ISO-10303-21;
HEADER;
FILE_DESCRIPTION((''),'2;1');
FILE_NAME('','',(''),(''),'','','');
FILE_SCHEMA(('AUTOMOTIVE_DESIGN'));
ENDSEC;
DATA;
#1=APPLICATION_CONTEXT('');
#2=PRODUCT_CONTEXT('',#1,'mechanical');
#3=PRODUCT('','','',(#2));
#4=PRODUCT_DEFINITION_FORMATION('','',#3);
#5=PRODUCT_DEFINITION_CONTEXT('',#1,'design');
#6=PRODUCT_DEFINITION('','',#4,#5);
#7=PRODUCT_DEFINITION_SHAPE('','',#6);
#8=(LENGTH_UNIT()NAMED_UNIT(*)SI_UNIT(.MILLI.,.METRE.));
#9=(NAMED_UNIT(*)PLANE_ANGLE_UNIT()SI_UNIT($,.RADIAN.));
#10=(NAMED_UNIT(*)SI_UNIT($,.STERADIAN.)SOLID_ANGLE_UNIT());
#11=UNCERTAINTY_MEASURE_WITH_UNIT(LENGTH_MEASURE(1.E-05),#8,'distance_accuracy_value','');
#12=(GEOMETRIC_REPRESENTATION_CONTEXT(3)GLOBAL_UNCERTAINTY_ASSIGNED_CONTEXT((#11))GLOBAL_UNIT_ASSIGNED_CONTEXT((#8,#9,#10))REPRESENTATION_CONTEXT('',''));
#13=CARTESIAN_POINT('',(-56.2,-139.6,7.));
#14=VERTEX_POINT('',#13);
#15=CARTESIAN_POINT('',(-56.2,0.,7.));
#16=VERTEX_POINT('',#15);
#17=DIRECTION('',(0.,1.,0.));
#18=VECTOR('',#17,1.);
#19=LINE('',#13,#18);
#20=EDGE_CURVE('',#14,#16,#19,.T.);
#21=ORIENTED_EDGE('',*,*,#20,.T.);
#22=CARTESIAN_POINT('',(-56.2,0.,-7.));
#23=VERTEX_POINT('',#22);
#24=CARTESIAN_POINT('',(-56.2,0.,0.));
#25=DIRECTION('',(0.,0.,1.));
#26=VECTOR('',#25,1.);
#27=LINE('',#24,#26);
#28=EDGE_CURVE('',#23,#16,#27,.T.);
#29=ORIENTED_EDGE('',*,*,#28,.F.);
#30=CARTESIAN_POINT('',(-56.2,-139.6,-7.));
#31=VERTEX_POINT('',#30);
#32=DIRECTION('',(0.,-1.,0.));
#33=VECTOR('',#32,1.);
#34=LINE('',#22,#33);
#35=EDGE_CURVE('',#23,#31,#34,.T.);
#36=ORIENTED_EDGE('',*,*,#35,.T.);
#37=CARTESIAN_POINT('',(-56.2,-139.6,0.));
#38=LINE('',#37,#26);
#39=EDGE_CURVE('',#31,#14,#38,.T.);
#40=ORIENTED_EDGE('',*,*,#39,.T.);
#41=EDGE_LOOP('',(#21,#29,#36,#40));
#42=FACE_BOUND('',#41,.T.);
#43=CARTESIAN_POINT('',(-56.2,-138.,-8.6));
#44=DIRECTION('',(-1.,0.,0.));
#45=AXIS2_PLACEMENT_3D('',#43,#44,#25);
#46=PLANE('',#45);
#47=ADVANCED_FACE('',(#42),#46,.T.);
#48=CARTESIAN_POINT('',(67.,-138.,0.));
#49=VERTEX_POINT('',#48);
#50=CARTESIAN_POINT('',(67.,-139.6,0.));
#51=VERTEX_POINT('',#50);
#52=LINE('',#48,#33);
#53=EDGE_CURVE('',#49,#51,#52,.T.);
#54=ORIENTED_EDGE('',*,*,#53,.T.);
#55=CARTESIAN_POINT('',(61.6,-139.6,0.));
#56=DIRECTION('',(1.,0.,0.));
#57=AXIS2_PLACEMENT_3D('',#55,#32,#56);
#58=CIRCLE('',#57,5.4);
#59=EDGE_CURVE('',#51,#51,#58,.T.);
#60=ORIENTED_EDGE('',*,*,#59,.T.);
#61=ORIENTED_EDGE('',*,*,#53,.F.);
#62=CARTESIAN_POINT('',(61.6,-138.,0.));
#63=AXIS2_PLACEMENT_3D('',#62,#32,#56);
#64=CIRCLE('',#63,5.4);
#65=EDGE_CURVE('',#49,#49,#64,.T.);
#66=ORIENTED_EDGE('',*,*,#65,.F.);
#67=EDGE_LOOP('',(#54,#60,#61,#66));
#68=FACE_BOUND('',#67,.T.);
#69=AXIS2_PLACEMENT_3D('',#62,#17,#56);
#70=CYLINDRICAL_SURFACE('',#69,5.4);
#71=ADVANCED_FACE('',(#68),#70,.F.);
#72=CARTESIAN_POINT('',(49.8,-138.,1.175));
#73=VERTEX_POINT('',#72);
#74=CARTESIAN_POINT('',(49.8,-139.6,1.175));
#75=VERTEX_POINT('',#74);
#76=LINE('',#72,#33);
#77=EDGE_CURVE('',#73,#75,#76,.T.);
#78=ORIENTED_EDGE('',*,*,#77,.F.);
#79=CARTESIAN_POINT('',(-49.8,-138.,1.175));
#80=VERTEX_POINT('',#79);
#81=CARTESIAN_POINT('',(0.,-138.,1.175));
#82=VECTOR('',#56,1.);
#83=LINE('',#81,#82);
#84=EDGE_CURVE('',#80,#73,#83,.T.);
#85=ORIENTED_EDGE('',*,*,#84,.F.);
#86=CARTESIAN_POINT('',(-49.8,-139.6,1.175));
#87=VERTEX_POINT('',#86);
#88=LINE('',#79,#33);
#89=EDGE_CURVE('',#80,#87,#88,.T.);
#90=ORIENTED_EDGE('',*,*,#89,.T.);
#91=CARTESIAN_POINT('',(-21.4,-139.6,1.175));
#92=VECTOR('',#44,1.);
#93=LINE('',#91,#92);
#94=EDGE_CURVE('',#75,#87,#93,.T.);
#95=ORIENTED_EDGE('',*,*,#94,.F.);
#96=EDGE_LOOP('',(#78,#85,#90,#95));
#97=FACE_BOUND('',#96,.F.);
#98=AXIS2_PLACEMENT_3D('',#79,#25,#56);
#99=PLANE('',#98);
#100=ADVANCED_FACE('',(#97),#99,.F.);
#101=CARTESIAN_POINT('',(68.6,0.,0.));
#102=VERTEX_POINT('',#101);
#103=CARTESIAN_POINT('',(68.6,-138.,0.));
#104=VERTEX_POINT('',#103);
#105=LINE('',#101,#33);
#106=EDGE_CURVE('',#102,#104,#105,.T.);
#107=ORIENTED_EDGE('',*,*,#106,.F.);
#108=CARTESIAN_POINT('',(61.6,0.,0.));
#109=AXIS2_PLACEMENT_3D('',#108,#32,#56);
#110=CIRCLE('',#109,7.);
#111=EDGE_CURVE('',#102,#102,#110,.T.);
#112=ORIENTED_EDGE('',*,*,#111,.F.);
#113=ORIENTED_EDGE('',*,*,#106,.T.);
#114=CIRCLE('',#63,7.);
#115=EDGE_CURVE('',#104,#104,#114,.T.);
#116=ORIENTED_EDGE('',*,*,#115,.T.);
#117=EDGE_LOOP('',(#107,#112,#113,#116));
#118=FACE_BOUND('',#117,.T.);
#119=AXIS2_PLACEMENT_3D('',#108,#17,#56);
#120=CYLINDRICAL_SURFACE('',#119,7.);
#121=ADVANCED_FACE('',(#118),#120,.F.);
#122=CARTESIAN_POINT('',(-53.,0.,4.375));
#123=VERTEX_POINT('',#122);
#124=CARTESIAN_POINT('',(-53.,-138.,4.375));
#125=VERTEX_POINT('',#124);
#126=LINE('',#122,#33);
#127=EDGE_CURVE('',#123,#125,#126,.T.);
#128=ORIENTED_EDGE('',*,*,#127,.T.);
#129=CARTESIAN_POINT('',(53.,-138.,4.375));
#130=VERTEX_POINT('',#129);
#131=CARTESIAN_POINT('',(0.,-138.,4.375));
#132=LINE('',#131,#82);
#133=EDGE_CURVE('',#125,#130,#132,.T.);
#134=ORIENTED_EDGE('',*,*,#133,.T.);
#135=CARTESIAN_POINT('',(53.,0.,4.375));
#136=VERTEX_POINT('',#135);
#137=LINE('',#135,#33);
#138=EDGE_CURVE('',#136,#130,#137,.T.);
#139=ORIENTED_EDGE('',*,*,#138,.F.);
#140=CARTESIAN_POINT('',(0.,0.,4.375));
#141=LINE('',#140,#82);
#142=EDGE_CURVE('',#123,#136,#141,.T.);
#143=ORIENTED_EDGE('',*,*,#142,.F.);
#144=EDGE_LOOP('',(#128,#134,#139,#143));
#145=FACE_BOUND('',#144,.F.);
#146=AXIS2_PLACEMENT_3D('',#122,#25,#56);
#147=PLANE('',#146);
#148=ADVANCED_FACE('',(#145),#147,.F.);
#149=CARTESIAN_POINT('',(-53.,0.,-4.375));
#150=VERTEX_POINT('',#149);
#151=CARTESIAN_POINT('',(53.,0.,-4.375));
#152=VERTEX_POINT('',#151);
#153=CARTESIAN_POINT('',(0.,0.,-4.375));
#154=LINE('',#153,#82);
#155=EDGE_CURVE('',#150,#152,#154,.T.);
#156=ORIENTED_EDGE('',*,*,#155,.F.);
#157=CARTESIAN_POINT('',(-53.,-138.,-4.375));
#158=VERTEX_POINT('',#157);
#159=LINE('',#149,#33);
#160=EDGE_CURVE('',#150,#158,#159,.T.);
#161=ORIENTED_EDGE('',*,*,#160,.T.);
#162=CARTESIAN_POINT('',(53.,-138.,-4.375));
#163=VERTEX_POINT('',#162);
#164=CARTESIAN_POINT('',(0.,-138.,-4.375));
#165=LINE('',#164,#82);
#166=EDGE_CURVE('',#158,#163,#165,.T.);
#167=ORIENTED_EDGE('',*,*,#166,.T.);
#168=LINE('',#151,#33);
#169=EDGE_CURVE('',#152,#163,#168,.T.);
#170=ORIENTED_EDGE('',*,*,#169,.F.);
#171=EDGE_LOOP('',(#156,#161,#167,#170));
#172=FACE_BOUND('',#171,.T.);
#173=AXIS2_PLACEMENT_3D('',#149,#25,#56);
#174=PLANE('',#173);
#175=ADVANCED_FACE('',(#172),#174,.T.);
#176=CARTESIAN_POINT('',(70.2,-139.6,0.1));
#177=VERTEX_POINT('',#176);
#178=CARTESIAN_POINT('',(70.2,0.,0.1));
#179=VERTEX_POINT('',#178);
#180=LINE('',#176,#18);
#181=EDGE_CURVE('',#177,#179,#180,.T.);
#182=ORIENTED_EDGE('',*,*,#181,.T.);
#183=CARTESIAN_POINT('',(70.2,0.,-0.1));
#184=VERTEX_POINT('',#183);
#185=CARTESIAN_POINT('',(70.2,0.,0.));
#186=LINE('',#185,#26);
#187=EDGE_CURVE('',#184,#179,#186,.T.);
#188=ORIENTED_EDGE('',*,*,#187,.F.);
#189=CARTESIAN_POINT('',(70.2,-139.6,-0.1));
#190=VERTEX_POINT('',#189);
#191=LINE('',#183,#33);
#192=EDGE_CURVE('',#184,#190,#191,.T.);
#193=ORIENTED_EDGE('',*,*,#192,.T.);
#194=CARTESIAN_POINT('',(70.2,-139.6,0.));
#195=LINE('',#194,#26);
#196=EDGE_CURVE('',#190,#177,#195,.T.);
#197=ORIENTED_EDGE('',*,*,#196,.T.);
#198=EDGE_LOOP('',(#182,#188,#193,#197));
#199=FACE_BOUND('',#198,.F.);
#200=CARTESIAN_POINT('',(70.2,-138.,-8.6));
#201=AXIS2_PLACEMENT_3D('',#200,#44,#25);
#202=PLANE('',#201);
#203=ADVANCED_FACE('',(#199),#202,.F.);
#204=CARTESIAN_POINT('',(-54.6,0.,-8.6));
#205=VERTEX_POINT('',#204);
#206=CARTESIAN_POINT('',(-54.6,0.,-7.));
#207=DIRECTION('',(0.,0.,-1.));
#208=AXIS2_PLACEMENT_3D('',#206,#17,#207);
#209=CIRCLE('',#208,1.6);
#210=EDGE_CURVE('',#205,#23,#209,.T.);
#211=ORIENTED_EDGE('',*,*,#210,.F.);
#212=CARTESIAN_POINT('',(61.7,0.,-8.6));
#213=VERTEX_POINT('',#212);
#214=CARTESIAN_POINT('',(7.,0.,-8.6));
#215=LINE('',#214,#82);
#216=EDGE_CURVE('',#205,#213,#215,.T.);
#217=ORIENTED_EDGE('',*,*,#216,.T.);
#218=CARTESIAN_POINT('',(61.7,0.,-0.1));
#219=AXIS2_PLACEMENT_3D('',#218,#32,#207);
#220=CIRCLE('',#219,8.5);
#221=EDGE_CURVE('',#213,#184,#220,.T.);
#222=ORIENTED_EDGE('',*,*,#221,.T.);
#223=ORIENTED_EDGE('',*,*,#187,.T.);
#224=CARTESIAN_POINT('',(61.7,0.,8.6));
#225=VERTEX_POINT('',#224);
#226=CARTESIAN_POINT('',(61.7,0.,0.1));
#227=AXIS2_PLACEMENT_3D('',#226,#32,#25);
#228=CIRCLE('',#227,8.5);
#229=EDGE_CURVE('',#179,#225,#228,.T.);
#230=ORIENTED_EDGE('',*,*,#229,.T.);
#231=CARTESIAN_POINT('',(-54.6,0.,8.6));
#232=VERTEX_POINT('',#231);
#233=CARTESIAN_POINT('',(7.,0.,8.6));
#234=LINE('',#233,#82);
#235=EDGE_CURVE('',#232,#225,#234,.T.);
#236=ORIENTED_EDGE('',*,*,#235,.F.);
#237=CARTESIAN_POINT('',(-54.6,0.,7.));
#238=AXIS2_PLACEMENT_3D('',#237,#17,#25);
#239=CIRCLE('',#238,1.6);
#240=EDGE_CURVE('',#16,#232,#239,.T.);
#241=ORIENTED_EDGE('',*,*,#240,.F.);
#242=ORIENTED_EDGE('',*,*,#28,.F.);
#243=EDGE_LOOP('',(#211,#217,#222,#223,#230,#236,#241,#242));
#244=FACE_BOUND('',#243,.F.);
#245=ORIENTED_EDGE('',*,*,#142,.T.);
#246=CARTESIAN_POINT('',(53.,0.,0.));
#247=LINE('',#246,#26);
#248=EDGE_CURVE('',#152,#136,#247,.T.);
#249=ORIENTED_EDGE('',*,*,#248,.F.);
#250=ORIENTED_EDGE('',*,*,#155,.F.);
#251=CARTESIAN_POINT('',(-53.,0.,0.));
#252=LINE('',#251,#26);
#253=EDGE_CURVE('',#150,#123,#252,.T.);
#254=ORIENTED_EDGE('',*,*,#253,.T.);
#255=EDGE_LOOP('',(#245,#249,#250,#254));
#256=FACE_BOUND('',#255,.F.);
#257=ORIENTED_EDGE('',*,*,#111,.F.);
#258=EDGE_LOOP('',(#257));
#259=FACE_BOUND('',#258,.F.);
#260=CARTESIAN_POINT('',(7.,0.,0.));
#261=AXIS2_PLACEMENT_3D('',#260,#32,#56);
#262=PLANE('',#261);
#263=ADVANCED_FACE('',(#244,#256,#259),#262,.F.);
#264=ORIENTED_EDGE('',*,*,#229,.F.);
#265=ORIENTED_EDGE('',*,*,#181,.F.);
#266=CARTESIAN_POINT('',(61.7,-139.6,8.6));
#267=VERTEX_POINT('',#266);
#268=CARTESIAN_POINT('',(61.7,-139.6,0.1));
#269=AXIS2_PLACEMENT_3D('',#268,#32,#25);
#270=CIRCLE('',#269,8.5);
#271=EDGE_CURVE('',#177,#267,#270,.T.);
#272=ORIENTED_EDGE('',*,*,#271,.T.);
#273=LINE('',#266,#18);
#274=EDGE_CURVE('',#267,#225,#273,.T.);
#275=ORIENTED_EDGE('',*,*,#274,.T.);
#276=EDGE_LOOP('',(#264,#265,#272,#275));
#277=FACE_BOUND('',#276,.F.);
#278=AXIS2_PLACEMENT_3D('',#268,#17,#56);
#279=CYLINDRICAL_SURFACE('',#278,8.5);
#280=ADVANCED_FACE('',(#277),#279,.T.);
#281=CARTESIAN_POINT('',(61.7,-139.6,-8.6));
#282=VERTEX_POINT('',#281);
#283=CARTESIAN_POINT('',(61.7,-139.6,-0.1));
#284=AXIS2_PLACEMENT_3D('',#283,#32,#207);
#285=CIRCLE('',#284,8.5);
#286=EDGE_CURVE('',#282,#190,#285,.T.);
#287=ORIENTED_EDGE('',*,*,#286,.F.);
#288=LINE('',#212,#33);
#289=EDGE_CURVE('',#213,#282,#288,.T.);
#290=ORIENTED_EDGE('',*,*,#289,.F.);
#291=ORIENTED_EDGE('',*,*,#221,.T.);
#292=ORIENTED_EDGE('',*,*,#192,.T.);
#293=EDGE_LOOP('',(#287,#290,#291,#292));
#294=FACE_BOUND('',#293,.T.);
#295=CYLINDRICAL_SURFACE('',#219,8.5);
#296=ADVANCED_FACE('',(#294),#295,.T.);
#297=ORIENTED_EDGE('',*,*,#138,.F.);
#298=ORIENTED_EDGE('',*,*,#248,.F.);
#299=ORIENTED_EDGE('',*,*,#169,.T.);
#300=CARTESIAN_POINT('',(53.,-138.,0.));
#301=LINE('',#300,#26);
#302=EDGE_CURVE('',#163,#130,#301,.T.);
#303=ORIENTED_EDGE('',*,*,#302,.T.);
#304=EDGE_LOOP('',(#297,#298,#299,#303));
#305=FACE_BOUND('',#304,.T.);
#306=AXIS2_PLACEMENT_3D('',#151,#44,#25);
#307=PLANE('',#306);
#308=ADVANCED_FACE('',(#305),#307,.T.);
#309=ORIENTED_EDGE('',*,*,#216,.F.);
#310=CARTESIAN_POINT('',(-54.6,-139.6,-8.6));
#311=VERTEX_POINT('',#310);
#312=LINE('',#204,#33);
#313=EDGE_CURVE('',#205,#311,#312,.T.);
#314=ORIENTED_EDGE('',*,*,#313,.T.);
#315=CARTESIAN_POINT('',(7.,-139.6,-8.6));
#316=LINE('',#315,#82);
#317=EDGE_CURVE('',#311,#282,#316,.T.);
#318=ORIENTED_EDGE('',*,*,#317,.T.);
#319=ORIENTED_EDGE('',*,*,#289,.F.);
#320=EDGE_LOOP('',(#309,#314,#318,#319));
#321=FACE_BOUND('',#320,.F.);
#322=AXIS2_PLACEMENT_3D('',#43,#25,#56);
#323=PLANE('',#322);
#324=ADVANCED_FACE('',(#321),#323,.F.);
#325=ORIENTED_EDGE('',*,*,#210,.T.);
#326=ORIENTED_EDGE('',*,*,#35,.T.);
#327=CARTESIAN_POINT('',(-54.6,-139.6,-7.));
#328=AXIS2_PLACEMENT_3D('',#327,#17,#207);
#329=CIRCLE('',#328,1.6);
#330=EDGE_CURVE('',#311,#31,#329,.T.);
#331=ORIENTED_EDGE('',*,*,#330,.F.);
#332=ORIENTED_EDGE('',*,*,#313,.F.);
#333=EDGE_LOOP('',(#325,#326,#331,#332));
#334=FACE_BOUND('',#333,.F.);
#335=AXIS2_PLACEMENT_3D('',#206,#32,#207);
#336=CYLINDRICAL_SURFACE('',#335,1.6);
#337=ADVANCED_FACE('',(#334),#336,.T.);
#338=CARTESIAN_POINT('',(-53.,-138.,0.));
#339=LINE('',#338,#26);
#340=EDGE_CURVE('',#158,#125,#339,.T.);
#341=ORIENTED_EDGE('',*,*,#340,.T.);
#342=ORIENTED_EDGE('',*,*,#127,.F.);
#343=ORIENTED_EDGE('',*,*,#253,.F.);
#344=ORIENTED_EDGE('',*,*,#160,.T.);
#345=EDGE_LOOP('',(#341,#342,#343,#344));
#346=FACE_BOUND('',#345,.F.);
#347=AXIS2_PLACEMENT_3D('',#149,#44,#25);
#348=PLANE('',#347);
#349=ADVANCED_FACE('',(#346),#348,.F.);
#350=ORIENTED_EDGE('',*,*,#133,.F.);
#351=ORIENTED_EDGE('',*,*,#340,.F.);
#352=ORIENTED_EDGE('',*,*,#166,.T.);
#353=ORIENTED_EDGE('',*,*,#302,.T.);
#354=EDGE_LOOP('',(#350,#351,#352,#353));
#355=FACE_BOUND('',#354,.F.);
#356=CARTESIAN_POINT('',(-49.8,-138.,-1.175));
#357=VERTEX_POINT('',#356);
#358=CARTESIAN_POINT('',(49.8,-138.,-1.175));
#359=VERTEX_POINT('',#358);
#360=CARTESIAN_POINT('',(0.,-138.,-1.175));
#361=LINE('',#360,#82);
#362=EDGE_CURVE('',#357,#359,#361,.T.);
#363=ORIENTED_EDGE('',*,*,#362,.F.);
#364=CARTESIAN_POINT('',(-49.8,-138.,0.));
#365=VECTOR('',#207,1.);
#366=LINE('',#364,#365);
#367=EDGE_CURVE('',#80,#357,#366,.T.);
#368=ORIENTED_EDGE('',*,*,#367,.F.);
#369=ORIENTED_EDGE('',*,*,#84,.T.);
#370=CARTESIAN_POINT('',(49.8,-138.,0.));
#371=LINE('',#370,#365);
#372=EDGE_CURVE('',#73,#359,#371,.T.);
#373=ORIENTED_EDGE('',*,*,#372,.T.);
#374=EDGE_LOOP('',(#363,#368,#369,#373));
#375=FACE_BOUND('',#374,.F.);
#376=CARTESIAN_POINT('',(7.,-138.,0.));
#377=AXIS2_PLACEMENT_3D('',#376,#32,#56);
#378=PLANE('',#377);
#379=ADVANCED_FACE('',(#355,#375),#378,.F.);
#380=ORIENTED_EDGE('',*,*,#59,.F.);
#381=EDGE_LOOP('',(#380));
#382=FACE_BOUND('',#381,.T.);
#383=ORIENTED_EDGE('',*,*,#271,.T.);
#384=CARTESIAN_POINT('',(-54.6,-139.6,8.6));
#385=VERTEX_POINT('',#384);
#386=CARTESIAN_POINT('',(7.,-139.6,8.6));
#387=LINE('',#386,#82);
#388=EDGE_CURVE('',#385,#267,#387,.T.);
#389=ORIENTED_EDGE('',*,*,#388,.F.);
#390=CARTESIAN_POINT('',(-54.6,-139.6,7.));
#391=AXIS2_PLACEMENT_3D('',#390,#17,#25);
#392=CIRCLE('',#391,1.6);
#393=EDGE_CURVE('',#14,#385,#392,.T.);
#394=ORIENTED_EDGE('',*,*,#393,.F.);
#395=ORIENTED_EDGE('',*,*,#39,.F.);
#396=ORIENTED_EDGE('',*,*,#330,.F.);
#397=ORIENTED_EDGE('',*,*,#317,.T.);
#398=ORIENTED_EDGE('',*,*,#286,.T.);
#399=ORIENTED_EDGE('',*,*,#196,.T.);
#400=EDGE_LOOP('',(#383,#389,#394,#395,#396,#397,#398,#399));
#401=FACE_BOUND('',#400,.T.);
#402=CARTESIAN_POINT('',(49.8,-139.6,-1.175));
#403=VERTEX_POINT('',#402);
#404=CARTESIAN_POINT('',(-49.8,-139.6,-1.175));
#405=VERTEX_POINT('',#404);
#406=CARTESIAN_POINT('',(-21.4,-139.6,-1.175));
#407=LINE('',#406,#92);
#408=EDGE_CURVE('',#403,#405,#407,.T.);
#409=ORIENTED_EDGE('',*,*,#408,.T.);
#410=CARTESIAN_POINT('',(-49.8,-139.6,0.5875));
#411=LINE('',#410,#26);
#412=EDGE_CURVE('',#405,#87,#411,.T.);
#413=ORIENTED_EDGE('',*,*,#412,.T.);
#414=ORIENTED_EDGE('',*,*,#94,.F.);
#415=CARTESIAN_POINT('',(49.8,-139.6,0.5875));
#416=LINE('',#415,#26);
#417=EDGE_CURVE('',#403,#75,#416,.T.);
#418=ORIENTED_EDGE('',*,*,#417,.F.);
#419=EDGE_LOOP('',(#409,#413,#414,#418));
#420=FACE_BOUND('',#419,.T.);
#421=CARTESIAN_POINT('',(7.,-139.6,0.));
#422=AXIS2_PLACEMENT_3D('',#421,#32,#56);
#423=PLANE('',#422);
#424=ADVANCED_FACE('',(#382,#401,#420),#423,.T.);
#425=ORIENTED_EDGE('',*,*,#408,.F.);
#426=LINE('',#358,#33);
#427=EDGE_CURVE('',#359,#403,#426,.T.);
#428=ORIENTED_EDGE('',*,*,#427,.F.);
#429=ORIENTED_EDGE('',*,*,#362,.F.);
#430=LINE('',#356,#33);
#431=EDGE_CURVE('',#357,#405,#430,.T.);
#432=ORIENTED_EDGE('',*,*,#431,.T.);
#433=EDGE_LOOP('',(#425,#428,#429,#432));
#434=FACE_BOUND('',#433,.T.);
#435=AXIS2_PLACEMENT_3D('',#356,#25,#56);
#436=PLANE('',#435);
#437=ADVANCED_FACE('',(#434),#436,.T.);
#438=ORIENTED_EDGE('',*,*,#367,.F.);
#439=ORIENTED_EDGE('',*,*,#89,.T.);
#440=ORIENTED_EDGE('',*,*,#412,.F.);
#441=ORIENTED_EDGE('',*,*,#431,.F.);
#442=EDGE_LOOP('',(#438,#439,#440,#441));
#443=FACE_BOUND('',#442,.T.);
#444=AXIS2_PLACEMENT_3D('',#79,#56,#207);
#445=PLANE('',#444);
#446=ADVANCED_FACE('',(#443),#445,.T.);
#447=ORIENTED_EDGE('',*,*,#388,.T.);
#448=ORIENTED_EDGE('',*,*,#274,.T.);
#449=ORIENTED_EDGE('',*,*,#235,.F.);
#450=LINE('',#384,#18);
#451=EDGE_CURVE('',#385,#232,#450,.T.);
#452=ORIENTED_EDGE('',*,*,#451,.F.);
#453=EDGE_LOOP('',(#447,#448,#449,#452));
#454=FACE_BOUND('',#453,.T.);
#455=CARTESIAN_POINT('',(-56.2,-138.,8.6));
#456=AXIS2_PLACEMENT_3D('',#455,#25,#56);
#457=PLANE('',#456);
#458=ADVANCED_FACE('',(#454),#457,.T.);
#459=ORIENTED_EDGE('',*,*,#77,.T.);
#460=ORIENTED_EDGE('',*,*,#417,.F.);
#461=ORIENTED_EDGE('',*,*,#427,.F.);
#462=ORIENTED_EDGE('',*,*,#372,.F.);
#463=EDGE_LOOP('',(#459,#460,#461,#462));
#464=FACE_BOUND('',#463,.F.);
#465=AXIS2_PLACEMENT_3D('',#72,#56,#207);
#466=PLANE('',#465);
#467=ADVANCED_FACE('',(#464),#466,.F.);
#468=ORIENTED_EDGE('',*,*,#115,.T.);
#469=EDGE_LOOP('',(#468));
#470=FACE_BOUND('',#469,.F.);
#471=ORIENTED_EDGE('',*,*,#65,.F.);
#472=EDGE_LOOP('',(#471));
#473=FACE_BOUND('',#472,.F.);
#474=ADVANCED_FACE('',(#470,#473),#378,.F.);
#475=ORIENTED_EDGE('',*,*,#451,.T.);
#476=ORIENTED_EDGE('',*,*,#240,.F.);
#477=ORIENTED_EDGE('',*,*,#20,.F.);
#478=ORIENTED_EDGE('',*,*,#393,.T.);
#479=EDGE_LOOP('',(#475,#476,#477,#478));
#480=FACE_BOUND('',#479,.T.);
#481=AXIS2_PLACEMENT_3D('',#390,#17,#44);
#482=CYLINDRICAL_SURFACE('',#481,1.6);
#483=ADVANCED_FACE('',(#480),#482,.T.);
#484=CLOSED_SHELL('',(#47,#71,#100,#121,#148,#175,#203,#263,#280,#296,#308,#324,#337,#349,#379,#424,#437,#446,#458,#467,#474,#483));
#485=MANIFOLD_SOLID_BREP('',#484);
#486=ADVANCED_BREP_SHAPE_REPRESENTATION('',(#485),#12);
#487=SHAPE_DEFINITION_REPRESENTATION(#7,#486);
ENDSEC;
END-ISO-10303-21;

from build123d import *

# Parameters (mm, degrees)
SKETCH_W     = 126.4
SKETCH_H     = 17.2
SKETCH_R     = 7
SKETCH_W_2   = 106
SKETCH_H_2   = 8.75
PAD_DEPTH    = 138
SKETCH001_W  = 126.4
SKETCH001_H  = 17.2
SKETCH001_R  = 5.4
PAD001_DEPTH = 1.6
FILLET_R     = 8.5
FILLET001_R  = 1.6
SKETCH002_W  = 99.6
SKETCH002_H  = 2.35
POCKET_DEPTH = 5


with BuildPart() as part:
    # Sketch → Pad (new body)
    with BuildSketch(Plane.XZ):
        with Locations((7, 0)):
            Rectangle(SKETCH_W, SKETCH_H)
        with Locations((61.6, 0)):
            Circle(SKETCH_R, mode=Mode.SUBTRACT)
        Rectangle(SKETCH_W_2, SKETCH_H_2, mode=Mode.SUBTRACT)
    extrude(amount=PAD_DEPTH)

    # Sketch001 (on Face11 of Pad) → Pad001 (join)
    with BuildSketch(Plane.XZ.offset(138)):
        with Locations((7, 0)):
            Rectangle(SKETCH001_W, SKETCH001_H)
        with Locations((61.6, 0)):
            Circle(SKETCH001_R, mode=Mode.SUBTRACT)
    extrude(amount=PAD001_DEPTH)

    # Fillet
    fillet_edges = [part.edges().sort_by_distance(p)[0] for p in [
        (70.2, -69.8, 8.6),
        (70.2, -69.8, -8.6),
    ]]
    fillet(fillet_edges, radius=FILLET_R)

    # Fillet001
    fillet001_edges = [part.edges().sort_by_distance(p)[0] for p in [
        (-56.2, -69.8, 8.6),
        (-56.2, -69.8, -8.6),
    ]]
    fillet(fillet001_edges, radius=FILLET001_R)

    # Sketch002 (on Face16 of Fillet001) → Pocket (cut)
    with BuildSketch(Plane(origin=(0, -138, 0), x_dir=(1, 0, 0), z_dir=(0, 1, 0))):
        Rectangle(SKETCH002_W, SKETCH002_H)
    extrude(amount=-POCKET_DEPTH, mode=Mode.SUBTRACT)


solid = part.part
